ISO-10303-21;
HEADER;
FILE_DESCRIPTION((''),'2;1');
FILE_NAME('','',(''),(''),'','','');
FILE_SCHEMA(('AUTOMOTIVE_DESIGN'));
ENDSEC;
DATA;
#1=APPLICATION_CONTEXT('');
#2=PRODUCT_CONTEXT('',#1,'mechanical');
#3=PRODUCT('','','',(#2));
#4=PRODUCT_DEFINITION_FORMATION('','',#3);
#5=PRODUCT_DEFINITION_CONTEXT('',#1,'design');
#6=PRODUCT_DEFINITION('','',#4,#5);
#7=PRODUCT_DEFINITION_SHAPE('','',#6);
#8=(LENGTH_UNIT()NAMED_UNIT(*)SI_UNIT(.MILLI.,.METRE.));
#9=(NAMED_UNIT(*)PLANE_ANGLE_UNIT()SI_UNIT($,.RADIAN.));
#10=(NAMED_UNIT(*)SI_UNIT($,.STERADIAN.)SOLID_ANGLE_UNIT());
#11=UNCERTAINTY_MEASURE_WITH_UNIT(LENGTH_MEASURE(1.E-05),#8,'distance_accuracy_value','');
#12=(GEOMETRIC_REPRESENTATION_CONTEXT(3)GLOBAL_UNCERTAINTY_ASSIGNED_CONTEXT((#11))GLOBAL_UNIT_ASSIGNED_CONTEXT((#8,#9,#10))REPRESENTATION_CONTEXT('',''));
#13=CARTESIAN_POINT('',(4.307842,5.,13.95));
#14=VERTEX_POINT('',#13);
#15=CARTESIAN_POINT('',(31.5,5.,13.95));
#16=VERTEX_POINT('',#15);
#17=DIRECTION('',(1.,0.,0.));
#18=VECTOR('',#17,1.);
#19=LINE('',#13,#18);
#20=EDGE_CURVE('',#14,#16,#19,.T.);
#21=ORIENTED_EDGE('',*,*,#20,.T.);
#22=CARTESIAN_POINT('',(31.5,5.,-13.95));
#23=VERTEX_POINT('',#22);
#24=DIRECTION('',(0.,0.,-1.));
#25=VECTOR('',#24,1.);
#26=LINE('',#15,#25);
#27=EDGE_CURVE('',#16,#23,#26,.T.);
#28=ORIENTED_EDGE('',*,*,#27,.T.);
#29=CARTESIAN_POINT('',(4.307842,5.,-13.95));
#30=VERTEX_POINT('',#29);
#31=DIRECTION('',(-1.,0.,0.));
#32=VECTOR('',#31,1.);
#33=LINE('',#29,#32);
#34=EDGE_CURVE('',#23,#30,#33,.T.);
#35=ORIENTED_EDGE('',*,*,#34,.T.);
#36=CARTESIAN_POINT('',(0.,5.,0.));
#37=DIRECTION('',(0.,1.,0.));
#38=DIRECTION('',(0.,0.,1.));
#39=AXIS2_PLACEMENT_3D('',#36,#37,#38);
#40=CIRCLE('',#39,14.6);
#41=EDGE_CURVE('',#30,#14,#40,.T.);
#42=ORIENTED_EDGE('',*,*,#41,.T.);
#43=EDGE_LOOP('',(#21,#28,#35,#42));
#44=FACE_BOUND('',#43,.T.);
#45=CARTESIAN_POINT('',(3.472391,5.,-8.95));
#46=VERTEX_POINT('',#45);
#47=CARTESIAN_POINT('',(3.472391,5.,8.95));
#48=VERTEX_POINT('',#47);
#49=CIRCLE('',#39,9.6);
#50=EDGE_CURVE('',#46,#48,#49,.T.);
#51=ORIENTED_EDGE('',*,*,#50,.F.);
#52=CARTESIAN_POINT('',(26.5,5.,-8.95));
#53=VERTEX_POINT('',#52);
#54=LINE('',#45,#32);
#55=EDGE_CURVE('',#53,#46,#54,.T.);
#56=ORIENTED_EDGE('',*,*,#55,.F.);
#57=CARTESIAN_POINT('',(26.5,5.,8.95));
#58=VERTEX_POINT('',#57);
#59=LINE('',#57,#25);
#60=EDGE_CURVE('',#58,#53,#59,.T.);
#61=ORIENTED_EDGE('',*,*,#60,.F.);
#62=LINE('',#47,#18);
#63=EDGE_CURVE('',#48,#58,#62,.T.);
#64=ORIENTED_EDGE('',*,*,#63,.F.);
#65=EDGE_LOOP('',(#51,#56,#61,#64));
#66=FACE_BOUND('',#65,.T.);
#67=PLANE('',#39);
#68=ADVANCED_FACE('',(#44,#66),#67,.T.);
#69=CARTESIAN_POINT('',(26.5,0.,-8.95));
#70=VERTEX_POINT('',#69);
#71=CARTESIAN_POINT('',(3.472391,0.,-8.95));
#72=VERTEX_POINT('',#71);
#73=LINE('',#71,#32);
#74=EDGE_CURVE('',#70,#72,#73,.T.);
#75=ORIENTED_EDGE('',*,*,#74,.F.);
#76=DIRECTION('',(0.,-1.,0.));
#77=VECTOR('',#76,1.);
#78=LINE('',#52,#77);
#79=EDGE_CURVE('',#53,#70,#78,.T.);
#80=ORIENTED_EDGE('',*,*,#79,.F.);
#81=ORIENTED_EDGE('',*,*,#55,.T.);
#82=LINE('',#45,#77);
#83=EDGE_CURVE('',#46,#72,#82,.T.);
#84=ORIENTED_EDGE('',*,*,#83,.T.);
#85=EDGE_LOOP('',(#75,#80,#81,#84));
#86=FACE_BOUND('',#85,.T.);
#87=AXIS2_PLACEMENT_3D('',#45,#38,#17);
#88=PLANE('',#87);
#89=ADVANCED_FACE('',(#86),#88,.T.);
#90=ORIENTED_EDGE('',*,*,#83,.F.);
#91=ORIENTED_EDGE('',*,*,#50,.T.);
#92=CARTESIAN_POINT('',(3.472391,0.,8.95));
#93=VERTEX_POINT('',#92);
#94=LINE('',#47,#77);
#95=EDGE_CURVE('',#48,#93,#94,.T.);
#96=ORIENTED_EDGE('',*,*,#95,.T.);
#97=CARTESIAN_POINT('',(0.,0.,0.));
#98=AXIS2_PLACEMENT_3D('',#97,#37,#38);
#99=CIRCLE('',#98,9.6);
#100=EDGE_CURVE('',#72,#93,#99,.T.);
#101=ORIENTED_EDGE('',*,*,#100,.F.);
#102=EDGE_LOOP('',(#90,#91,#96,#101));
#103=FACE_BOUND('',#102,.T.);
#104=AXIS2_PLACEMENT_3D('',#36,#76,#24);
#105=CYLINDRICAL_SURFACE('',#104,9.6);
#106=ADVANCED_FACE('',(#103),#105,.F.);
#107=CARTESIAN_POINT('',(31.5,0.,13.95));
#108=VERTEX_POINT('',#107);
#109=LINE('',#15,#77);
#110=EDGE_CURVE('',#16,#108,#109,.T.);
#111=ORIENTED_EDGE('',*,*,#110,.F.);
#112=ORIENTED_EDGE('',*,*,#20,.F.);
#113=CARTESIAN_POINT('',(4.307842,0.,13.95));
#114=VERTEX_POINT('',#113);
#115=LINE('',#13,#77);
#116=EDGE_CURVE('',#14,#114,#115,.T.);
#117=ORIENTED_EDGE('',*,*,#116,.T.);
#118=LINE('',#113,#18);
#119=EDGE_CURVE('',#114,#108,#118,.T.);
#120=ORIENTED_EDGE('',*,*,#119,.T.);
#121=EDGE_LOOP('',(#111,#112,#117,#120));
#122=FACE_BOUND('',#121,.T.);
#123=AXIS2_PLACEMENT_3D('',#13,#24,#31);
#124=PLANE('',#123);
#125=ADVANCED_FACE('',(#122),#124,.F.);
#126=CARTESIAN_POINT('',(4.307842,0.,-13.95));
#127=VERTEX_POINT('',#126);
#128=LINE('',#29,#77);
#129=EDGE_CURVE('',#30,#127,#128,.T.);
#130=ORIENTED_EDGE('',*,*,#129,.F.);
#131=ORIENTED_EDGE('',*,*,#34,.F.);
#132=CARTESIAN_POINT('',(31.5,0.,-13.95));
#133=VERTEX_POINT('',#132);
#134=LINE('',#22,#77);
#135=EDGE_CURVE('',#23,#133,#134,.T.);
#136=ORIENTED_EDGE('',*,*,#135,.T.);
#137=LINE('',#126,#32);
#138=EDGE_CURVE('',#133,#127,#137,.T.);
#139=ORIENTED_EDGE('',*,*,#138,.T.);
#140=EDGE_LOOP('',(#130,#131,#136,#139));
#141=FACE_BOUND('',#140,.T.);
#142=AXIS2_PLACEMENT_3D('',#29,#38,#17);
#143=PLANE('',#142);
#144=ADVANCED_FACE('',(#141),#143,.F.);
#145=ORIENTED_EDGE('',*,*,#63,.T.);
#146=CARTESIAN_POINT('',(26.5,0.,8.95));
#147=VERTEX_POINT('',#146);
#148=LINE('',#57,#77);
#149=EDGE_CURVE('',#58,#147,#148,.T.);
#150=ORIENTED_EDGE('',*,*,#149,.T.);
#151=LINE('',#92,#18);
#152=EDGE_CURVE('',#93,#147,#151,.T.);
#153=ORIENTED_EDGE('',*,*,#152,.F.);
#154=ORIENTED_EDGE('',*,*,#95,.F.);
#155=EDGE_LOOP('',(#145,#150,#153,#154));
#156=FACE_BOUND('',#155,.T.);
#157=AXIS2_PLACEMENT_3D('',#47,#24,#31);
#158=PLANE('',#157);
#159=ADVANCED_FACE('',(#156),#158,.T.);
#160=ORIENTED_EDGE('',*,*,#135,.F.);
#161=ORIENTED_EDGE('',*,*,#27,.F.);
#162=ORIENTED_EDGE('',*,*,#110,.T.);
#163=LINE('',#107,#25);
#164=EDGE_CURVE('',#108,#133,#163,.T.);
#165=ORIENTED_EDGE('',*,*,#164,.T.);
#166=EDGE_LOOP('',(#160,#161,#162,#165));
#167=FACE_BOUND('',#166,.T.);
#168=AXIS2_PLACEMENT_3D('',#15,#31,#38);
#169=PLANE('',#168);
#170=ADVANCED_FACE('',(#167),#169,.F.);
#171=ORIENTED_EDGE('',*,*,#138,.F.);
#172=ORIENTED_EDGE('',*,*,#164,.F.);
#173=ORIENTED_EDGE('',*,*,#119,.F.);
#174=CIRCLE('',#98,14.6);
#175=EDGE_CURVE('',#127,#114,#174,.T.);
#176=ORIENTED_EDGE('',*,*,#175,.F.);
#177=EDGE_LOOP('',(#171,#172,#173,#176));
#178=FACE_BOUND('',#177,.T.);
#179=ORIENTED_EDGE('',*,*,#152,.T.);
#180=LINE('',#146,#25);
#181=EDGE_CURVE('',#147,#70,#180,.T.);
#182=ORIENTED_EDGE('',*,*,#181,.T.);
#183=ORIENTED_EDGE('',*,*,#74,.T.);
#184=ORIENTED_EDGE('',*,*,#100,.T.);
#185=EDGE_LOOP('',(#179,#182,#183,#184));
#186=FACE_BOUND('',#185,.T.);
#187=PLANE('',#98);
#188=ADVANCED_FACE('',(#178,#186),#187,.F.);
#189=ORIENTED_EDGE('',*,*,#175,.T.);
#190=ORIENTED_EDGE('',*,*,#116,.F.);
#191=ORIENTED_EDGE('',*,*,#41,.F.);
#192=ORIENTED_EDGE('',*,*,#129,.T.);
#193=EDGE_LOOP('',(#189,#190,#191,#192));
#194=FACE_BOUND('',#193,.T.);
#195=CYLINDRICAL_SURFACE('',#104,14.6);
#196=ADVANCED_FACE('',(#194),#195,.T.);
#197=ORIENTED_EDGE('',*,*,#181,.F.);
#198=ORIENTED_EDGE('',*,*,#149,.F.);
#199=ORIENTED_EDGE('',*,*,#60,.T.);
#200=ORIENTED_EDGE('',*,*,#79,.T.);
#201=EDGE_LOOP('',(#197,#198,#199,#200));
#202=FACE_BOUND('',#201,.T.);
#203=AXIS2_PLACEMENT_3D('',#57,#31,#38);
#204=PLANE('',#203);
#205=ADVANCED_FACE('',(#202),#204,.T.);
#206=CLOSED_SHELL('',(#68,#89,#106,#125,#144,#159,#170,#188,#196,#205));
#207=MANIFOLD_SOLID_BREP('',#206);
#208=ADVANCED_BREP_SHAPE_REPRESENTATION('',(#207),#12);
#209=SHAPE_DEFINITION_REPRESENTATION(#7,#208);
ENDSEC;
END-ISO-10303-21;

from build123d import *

# Parameters (mm, degrees)
BOSS_EXTRUDE1_DEPTH = 5


with BuildPart() as part:
    # Sketch1 → Boss-Extrude1 (new body)
    with BuildSketch(Plane(origin=(0, 0, 0), x_dir=(1, 0, 0), z_dir=(0, 1, 0))):
        with BuildLine():
            Line((4.307841687, -13.95), (31.5, -13.95))
            Line((31.5, -13.95), (31.5, 13.95))
            Line((31.5, 13.95), (4.307841687, 13.95))
            ThreePointArc((4.307841687, 13.95), (-14.6, 0), (4.307841687, -13.95))
        make_face()
        with BuildLine():
            Line((3.472391107, -8.95), (26.5, -8.95))
            Line((26.5, -8.95), (26.5, 8.95))
            Line((26.5, 8.95), (3.472391107, 8.95))
            ThreePointArc((3.472391107, 8.95), (-9.6, 0), (3.472391107, -8.95))
        make_face(mode=Mode.SUBTRACT)
    extrude(amount=BOSS_EXTRUDE1_DEPTH)


solid = part.part
